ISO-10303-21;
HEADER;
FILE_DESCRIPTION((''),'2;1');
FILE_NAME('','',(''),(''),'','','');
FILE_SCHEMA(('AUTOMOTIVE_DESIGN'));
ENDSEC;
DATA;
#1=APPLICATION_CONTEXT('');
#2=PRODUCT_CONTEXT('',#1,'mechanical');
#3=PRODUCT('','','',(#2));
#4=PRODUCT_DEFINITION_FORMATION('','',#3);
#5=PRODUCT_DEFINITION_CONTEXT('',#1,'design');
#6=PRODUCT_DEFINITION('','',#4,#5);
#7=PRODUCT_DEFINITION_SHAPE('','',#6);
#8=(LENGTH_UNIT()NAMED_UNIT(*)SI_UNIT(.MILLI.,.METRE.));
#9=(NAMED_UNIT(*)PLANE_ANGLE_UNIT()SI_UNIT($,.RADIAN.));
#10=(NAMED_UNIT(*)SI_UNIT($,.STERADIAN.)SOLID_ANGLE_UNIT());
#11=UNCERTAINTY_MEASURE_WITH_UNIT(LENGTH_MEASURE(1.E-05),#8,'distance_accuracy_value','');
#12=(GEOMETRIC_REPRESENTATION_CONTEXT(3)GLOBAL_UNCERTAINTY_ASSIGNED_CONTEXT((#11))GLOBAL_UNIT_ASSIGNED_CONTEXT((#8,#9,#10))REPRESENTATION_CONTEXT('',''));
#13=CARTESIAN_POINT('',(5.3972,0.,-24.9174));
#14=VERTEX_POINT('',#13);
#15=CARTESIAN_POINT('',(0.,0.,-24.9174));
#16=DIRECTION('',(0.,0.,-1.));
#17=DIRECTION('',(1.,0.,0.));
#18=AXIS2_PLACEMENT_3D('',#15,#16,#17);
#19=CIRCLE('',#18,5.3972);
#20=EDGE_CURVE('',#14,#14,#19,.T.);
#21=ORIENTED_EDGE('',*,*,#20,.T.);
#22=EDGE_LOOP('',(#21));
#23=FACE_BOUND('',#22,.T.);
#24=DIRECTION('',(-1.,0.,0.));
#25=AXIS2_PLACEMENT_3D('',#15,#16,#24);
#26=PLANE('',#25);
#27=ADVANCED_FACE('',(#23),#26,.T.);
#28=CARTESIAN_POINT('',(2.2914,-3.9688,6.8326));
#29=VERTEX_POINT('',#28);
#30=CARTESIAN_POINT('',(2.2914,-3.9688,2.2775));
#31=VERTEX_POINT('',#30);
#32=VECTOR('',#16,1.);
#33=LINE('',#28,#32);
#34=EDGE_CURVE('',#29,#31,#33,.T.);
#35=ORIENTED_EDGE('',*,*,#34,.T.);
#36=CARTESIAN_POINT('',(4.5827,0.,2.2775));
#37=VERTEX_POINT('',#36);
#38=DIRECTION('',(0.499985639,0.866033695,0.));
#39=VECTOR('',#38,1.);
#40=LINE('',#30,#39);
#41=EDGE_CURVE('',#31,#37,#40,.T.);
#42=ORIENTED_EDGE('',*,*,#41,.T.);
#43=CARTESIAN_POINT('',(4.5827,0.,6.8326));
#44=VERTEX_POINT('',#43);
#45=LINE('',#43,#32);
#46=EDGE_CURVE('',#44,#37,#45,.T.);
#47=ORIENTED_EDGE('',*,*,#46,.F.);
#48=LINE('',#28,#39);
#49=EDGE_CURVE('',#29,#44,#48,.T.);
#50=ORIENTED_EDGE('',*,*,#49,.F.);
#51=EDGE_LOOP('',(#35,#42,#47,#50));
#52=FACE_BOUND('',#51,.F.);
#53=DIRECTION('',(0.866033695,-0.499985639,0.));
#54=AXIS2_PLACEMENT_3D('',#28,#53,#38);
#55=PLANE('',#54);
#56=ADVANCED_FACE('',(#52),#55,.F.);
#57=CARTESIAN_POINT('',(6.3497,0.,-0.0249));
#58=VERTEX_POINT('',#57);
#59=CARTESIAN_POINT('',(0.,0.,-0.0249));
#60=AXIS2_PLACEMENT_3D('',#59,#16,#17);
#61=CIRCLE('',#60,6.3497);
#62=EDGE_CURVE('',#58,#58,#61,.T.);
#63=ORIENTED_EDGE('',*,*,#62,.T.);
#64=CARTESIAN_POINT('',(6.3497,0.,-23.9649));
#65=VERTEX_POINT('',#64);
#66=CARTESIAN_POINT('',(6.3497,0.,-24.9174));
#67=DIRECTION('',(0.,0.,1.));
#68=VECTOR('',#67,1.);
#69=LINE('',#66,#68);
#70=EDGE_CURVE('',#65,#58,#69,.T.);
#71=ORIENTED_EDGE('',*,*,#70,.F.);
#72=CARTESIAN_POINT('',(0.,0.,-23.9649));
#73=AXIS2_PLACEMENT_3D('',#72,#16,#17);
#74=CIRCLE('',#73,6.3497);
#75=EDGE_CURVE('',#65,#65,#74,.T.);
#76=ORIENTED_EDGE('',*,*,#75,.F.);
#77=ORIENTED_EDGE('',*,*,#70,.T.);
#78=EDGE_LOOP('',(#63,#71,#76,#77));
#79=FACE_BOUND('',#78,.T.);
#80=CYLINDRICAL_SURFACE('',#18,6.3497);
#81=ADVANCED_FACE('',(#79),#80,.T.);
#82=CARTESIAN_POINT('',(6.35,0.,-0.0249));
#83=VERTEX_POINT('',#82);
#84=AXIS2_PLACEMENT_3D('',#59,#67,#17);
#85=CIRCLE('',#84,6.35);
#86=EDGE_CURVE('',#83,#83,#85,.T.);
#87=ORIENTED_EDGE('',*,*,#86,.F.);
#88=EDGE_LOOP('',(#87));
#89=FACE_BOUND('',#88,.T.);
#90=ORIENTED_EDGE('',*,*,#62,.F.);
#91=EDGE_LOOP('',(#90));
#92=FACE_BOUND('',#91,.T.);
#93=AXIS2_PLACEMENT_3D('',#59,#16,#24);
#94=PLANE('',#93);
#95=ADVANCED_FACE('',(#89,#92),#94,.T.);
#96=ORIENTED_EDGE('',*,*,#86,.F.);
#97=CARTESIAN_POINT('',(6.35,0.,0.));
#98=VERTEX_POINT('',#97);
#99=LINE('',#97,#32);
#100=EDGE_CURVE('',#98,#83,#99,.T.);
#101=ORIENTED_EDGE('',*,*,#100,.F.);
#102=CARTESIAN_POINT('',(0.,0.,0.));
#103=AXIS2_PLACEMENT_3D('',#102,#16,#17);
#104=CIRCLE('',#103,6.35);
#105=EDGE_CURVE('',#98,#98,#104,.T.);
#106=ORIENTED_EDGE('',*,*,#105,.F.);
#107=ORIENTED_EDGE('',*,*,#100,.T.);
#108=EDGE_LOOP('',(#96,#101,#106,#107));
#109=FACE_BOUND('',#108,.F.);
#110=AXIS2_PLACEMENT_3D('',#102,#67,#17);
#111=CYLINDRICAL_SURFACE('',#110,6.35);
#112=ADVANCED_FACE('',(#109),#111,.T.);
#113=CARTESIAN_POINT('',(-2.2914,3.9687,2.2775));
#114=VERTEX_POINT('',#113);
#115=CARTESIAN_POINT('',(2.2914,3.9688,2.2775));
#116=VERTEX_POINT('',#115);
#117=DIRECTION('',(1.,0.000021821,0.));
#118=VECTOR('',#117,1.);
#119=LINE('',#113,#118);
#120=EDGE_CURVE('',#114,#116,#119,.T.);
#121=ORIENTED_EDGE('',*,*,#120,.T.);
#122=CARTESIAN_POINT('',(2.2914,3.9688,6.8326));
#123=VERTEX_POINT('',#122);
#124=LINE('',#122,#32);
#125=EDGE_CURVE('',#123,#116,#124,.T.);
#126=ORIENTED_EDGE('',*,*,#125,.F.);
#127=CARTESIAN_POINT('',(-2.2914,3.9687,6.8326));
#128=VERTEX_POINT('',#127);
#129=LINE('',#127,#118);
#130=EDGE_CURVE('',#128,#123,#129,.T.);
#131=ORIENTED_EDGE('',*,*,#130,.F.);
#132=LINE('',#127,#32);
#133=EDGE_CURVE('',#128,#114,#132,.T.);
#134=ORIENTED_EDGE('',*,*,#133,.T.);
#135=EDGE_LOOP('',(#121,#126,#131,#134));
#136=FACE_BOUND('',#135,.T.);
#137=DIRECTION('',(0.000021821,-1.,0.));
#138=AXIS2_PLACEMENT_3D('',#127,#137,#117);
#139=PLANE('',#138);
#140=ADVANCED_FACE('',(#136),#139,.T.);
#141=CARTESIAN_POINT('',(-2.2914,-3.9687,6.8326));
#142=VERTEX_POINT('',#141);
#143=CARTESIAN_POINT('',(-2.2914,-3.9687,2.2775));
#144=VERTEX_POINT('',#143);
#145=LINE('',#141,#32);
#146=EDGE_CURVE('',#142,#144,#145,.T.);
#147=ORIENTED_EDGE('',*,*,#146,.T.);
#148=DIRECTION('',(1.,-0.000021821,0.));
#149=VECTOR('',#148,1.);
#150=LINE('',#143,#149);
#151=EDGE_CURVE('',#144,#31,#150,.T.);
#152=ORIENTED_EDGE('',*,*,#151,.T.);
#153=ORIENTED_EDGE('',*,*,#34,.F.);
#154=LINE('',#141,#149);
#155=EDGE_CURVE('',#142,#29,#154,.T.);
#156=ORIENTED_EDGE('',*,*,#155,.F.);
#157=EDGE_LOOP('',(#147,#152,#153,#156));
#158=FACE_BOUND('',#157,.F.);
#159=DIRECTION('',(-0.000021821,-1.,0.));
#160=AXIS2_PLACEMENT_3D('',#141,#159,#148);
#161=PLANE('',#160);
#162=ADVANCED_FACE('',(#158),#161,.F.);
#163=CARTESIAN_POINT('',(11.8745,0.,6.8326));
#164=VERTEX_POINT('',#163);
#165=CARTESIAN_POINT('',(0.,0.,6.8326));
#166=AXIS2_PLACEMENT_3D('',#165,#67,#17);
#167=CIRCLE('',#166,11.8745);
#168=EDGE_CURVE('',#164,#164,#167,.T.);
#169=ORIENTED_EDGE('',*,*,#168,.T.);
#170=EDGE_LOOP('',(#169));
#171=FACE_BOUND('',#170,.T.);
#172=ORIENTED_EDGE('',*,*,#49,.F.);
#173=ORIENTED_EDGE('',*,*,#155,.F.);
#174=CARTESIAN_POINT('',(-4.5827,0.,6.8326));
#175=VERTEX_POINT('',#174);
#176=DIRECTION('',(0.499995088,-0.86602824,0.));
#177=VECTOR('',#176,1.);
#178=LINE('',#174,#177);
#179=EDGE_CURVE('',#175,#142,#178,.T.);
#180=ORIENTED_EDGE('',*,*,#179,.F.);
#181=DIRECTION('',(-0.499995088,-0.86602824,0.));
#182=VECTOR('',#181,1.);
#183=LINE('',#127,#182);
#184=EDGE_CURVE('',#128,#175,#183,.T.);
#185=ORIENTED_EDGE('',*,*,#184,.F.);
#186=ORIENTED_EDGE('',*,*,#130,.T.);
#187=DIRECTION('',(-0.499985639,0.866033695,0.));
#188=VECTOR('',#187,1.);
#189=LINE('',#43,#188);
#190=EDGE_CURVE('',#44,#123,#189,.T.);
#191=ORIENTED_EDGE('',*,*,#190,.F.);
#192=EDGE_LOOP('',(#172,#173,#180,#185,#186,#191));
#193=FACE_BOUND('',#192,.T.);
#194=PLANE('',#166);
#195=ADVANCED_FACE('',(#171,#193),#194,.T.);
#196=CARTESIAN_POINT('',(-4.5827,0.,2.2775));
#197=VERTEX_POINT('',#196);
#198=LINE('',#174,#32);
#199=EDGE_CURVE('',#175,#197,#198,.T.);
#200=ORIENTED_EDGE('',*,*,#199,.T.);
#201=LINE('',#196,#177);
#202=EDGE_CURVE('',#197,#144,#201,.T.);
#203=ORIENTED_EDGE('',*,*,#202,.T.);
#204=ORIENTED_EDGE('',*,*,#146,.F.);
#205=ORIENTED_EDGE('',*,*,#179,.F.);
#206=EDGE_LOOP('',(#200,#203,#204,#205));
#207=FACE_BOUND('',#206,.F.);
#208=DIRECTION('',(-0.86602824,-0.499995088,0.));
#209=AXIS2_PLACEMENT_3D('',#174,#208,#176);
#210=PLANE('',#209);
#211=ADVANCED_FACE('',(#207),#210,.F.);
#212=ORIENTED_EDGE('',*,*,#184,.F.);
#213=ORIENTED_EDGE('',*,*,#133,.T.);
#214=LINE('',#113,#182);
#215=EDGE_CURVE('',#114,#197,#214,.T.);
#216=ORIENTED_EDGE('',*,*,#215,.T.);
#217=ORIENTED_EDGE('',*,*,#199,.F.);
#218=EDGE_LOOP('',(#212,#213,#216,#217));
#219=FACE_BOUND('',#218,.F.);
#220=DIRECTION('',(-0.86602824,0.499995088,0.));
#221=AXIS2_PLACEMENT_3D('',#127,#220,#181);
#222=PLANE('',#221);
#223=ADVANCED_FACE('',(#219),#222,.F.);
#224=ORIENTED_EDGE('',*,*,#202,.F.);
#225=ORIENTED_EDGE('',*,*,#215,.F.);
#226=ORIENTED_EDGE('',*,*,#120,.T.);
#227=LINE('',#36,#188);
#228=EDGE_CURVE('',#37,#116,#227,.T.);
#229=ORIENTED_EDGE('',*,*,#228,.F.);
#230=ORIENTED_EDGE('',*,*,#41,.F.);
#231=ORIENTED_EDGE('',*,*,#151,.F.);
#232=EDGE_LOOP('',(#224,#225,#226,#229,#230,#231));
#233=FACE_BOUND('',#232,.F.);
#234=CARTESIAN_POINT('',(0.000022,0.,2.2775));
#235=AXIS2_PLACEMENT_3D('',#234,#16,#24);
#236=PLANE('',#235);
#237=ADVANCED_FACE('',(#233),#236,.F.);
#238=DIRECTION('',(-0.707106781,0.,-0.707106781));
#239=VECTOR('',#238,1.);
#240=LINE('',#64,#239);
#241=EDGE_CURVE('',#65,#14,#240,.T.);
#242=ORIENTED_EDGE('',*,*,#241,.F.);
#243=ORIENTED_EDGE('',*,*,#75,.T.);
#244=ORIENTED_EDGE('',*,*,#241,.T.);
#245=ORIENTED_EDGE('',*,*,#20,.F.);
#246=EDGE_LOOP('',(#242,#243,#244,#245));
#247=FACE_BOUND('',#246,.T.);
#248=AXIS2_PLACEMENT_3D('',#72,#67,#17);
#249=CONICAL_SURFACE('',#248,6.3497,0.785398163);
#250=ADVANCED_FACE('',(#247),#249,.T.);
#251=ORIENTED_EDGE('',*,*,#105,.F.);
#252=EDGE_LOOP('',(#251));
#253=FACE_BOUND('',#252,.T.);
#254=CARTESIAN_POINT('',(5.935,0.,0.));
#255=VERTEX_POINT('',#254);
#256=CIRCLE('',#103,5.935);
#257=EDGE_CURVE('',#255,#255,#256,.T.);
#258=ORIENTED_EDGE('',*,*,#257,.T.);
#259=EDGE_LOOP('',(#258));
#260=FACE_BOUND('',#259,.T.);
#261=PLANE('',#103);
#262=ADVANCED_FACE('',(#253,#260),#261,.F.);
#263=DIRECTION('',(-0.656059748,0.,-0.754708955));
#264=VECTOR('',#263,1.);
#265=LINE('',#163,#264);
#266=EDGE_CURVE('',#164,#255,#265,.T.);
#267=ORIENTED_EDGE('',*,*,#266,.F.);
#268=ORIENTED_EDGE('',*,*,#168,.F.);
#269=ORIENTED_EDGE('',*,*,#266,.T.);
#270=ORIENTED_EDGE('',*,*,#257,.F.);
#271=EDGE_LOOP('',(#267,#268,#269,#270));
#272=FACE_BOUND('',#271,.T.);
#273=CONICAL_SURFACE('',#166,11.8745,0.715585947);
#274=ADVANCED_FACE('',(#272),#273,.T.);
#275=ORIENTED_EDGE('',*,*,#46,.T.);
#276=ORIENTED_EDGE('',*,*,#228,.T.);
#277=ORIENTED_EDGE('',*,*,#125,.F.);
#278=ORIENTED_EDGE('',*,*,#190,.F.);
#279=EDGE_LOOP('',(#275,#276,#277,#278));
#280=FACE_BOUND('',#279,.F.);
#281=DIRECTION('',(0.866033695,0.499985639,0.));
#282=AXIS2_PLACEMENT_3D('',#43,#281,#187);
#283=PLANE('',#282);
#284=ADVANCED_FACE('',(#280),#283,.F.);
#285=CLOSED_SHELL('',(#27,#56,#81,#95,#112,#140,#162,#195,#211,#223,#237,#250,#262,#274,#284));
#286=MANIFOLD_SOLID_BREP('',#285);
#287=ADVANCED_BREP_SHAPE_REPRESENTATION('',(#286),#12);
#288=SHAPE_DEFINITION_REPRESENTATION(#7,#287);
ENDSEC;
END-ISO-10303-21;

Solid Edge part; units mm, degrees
sketch "Sketch1" plane through (0, 0, 0) normal (0, 0, 1) x (1, 0, 0)
  circle A0 centre (0, 0) radius 11.8745
  dimension "D1" = 23.749
extrude "Protrusion1" add sketch "Sketch1" along normal blind 6.8326
sketch "Sketch2" plane through (0, 0, 0) normal (0, 0, -1) x (1, 0, 0)
  circle A0 centre (0, 0) radius 6.35
extrude "Protrusion2" add sketch "Sketch2" along normal blind 24.9174
sketch "Sketch3" plane through (0, 0, -24.9174) normal (0, 0, -1) x (1, 0, 0)
  circle A0 centre (0, 0) radius 6.3497
extrude "Cutout1" cut sketch "Sketch3" against normal blind 24.8925 flip side to cut
chamfer "Chamfer_1" distance 0.9525 angle 45 1 edges at (-6.3497, 0, -24.9174)
sketch "Sketch4" plane through (0, 0, 6.8326) normal (0, 0, 1) x (1, 0, 0)
  line L0 (-2.2914, 3.9687) -> (2.2914, 3.9688)
  line L1 (4.5827, 0) -> (2.2914, 3.9688)
  line L2 (2.2914, -3.9688) -> (4.5827, 0)
  line L3 (-2.2914, -3.9687) -> (2.2914, -3.9688)
  line L4 (-4.5827, 0) -> (-2.2914, -3.9688)
  line L5 (-2.2914, 3.9688) -> (-4.5827, 0)
  dimension "D1" = 7.9375
extrude "Cutout2" cut sketch "Sketch4" against normal blind 4.5551
sketch "Sketch5" plane through (0, 0, 0) normal (0, -1, 0) x (1, 0, 0)
  line L0 (11.8745, 6.8326) -> (5.935, 0)
  line L1 (5.935, 0) -> (11.8745, 0)
  line L2 (11.8745, 0) -> (11.8745, 6.8326)
revolve "RevolvedCutout1" cut sketch "Sketch5" angle 360 about axis through (0, 0, 14.0017) along (0, 0, -1)
properties part number "24101013"
